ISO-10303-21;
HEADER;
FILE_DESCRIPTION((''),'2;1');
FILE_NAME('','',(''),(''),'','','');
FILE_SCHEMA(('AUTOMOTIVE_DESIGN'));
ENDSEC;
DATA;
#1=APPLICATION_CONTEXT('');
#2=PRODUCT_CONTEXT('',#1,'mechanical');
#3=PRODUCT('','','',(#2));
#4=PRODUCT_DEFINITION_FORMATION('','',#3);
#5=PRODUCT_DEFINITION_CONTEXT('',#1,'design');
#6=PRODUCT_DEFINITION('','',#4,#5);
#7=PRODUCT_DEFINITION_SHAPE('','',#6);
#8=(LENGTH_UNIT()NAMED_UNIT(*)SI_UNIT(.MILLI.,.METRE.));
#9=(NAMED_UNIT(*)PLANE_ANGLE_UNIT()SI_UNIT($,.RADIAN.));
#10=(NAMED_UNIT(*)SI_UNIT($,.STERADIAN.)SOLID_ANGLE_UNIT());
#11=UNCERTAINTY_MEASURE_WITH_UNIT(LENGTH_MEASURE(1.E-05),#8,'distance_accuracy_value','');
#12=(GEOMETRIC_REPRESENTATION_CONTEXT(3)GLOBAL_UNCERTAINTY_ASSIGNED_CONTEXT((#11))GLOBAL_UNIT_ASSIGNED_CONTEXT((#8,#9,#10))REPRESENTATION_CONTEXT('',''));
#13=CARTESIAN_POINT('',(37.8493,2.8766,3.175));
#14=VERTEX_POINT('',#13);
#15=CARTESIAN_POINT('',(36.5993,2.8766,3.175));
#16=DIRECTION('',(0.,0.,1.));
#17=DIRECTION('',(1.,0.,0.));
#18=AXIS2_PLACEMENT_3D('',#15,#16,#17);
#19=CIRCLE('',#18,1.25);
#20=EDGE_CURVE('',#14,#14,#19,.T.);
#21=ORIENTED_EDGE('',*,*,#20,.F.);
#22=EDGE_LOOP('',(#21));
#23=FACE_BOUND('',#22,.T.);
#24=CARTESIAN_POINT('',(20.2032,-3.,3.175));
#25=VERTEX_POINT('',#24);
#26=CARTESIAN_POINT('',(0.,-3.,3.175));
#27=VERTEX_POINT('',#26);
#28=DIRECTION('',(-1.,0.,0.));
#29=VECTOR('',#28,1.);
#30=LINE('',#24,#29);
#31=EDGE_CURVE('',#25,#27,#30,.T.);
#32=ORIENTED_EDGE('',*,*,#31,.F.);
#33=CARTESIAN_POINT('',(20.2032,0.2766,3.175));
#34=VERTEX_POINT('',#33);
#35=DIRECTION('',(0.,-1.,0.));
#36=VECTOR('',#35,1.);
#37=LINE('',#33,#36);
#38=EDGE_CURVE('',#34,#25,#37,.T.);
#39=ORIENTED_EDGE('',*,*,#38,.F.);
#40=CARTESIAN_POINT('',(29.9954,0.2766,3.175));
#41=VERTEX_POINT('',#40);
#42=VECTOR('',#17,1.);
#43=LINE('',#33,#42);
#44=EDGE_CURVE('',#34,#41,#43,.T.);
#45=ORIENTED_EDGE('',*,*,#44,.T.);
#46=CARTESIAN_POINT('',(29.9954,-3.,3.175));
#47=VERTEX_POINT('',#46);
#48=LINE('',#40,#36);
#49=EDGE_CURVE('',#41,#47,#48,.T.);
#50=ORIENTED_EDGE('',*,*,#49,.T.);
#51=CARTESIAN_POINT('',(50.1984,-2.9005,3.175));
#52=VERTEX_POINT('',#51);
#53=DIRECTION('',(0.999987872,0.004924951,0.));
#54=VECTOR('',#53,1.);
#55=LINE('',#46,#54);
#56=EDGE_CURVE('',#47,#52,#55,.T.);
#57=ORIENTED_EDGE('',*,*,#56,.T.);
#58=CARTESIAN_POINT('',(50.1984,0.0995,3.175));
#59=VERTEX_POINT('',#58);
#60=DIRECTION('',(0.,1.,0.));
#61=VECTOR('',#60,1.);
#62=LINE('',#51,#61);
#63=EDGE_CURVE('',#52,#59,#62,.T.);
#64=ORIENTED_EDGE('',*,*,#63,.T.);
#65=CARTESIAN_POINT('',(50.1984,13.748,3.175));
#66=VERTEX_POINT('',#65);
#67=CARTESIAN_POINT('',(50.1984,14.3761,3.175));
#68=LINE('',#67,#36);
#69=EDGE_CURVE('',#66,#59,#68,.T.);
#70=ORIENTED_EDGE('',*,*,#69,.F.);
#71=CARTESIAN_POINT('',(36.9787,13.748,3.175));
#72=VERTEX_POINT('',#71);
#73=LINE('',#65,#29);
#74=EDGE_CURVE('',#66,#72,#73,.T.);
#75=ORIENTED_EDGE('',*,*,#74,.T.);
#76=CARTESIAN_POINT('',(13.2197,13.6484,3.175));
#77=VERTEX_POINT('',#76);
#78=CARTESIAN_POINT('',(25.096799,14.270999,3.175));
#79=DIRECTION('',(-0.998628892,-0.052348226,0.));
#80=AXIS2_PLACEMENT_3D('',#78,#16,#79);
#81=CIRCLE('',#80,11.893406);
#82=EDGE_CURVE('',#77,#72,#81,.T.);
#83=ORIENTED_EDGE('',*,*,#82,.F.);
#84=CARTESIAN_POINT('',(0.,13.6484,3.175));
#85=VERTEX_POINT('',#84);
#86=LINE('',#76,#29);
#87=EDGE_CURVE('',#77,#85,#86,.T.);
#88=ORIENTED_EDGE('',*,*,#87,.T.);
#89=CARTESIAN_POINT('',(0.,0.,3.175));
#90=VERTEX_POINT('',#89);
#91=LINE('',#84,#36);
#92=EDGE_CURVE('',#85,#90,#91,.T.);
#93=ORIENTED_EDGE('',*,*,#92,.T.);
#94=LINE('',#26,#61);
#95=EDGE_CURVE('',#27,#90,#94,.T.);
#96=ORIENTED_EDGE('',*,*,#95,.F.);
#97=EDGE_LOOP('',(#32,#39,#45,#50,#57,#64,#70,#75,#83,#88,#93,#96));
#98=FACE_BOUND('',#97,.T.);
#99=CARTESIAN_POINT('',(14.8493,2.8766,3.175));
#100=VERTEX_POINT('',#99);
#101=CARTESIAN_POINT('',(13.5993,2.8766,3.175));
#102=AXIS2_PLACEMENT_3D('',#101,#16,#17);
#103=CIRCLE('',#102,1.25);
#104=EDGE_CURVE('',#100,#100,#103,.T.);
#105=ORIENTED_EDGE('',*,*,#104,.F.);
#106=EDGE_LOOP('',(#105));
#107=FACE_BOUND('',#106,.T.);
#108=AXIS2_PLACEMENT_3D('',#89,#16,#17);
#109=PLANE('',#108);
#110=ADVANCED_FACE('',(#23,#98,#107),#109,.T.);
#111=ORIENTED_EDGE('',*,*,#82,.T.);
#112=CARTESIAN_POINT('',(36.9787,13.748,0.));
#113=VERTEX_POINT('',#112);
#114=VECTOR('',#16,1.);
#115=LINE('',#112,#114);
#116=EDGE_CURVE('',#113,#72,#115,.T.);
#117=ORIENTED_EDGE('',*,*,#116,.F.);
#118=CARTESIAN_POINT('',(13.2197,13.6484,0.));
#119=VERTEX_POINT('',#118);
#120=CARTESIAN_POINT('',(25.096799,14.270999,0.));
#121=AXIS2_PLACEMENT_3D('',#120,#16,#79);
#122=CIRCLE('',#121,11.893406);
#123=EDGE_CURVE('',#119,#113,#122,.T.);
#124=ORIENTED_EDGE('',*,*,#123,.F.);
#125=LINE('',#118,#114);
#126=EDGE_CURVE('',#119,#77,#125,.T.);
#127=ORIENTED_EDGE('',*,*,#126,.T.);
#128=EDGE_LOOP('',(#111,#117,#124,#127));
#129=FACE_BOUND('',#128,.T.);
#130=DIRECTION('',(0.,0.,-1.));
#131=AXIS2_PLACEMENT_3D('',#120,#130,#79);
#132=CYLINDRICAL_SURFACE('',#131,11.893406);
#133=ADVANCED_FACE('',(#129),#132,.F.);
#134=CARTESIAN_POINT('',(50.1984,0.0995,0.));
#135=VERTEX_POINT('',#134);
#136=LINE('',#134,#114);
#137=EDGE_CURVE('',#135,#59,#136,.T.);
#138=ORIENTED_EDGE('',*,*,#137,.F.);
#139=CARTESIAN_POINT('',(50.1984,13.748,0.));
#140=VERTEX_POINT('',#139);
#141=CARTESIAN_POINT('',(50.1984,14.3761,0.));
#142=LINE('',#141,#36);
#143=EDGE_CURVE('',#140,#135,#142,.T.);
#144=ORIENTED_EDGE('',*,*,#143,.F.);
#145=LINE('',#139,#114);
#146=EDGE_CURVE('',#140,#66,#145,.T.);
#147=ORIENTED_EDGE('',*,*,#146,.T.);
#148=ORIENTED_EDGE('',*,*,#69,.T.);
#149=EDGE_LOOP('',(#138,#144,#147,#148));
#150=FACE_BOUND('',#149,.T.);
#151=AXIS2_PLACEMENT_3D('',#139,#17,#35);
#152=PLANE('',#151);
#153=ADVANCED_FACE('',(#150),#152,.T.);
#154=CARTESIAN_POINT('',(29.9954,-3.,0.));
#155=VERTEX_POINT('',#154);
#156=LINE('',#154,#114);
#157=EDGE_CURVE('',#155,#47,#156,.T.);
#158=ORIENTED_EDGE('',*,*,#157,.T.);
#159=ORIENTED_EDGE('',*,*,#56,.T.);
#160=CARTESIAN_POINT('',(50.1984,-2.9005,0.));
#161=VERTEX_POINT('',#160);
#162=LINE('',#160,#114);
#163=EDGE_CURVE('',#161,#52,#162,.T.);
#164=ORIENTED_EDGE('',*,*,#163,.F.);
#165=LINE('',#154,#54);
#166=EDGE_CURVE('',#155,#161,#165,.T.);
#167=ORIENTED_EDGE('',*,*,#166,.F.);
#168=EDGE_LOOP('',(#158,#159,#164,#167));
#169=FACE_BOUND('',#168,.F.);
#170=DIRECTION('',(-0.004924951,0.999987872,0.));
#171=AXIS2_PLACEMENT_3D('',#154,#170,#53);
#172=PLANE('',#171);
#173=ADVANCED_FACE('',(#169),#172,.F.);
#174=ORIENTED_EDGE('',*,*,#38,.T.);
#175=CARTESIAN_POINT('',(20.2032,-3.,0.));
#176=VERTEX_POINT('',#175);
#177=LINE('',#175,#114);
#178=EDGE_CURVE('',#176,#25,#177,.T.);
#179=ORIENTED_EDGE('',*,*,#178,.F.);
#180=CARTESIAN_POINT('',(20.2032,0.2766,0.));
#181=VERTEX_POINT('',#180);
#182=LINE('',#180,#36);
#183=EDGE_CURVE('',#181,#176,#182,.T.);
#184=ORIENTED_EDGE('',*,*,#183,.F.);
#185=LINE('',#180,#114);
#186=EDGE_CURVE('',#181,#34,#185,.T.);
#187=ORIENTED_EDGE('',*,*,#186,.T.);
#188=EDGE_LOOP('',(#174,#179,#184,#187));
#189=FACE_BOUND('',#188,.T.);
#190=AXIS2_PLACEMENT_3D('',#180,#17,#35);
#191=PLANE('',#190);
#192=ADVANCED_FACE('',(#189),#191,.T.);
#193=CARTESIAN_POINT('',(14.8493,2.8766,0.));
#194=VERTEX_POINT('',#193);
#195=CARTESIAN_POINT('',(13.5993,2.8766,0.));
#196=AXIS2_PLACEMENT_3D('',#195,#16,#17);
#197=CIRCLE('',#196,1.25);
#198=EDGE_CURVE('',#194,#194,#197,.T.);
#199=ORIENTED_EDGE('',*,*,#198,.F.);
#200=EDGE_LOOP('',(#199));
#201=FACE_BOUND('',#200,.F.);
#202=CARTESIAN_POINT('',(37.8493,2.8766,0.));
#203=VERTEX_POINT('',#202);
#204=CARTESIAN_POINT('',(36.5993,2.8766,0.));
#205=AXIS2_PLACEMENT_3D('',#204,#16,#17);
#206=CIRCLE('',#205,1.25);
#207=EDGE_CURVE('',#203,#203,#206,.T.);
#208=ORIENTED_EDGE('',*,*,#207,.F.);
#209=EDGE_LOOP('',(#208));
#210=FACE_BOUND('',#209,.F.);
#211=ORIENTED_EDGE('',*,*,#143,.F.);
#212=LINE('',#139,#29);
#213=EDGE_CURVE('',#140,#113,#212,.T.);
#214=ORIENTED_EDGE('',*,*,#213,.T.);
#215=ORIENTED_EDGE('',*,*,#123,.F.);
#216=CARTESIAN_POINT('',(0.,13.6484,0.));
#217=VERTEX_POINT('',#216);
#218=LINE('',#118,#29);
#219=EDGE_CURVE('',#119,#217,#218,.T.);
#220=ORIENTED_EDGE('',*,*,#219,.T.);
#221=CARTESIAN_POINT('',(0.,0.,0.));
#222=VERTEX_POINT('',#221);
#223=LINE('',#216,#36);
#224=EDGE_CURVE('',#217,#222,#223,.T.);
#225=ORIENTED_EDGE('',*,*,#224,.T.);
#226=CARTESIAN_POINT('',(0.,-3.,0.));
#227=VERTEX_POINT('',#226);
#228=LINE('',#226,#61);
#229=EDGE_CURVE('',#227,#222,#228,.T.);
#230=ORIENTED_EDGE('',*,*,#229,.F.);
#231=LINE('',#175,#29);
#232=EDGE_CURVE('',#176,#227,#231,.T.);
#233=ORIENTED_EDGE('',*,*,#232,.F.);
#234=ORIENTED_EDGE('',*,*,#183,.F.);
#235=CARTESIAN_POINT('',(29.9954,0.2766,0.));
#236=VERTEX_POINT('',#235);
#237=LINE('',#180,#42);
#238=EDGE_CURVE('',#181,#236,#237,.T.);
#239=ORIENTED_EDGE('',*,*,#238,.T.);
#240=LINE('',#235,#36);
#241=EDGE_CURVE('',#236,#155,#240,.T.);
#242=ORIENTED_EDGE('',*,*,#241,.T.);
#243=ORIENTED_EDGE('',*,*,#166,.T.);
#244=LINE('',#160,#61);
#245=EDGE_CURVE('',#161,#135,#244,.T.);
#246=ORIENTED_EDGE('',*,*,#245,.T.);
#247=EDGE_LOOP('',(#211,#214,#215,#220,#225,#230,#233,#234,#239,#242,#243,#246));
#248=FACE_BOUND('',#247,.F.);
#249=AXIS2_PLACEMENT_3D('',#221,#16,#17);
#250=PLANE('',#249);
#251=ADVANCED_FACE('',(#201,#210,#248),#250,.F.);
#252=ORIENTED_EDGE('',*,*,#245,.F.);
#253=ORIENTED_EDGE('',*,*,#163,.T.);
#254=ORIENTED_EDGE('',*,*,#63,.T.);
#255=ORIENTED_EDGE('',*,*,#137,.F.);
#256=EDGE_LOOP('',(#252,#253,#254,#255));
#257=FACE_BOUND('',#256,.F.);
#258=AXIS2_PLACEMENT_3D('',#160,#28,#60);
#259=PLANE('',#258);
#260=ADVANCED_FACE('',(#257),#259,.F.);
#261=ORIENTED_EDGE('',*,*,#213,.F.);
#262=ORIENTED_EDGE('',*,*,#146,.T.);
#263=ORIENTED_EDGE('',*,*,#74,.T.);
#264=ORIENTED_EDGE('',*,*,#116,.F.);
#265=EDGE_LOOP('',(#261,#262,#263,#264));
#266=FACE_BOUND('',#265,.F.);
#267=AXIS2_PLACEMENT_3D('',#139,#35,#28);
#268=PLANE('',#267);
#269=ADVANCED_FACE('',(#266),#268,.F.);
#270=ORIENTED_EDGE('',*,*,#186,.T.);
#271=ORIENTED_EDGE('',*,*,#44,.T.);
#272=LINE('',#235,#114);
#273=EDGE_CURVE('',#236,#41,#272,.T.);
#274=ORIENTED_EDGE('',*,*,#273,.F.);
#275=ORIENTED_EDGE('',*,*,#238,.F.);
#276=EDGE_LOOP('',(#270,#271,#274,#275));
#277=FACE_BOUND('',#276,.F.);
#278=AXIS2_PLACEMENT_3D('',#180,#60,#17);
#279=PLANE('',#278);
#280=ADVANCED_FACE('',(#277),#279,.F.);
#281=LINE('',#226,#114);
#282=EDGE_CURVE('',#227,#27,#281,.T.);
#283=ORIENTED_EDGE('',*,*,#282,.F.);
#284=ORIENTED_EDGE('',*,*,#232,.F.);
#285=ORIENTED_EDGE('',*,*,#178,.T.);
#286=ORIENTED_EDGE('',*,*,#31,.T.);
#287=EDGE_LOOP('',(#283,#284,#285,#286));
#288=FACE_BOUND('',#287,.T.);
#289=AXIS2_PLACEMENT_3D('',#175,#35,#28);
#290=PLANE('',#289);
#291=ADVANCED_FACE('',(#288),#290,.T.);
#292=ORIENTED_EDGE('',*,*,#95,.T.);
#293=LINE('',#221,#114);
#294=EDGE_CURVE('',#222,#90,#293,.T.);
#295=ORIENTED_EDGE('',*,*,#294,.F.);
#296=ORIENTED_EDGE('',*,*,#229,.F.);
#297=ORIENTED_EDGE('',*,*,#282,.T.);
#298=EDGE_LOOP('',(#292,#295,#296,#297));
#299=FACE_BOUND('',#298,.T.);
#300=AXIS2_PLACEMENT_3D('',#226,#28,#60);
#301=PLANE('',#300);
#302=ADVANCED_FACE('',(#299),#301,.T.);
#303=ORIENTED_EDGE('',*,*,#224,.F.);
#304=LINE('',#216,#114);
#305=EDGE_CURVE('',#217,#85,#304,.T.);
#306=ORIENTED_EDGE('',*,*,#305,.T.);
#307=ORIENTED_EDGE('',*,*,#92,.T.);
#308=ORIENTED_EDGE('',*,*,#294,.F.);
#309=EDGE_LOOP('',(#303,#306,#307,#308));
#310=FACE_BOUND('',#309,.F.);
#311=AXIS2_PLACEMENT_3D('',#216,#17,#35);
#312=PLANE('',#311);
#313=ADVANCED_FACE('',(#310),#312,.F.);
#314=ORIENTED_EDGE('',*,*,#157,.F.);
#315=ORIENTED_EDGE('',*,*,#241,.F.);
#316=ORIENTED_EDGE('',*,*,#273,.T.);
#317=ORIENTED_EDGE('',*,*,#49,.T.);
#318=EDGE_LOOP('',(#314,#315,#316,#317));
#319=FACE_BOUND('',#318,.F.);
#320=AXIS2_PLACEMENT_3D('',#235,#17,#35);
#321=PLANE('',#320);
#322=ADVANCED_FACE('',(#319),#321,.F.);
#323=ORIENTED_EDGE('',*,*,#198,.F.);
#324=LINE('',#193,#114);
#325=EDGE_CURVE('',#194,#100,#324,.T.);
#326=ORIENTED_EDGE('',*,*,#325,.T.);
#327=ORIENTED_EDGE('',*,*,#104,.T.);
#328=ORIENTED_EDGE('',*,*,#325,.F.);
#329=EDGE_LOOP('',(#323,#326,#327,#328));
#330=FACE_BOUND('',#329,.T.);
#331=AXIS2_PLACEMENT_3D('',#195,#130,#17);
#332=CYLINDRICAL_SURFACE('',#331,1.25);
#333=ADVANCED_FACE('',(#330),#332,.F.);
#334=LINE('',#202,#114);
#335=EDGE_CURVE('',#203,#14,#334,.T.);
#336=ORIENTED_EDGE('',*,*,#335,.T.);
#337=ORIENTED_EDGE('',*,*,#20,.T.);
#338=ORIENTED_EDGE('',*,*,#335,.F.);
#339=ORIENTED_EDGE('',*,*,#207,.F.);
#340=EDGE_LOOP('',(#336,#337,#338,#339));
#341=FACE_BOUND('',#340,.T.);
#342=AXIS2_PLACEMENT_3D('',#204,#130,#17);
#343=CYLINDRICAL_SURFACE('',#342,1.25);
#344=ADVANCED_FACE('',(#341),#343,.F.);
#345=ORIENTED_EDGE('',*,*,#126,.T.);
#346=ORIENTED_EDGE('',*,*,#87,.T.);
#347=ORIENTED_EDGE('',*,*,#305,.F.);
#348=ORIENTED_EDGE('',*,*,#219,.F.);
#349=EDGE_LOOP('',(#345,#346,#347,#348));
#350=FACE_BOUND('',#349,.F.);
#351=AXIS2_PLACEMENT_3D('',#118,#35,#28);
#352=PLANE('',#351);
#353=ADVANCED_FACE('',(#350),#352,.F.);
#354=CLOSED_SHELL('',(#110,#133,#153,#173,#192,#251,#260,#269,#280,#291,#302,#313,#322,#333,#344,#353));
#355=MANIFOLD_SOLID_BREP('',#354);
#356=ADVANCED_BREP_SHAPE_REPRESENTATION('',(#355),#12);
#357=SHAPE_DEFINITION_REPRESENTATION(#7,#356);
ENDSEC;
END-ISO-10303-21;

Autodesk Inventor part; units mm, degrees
ref_plane "YZ Plane" through (0, 0, 0) normal (1, 0, 0) x (0, 1, 0)
ref_plane "XZ Plane" through (0, 0, 0) normal (0, 1, 0) x (-1, 0, 0)
ref_plane "XY Plane" through (0, 0, 0) normal (0, 0, 1) x (1, 0, 0)
sketch "Sketch1" plane through (0, 0, 0) normal (0, 0, 1) x (1, 0, 0)
  line L0 (20.2032, 0.2766) -> (20.2032, -3)
  line L1 (20.2032, -3) -> (0, -3)
  line L2 (0, -3) -> (0, 0)
  line L3 (29.9954, 0.2766) -> (29.9954, -3)
  line L4 (29.9954, -3) -> (50.1984, -2.9005)
  line L5 (50.1984, -2.9005) -> (50.1984, 0.0995)
  line L6 (20.2032, 0.2766) -> (29.9954, 0.2766)
  circle A0 centre (13.5993, 2.8766) radius 1.25
  circle A1 centre (36.5993, 2.8766) radius 1.25
  line L7 (50.1984, 14.3761) -> (50.1984, 0.0995)
  line L8 (13.2197, 13.6484) -> (0, 13.6484)
  line L9 (0, 13.6484) -> (0, 0)
  line L10 (50.1984, 0.0995) -> (50.1984, 13.748)
  line L11 (50.1984, 13.748) -> (36.9787, 13.748)
  arc A2 (13.2197, 13.6484) -> (36.9787, 13.748) centre (25.0968, 14.271) ccw
  point P0 (25.0993, 0.2766)
  dimension "d2" = 20.2032
  dimension "d3" = 3.2766
  dimension "d4" = 20.2032
  dimension "d11" = 2.5
  dimension "d12" = 2.6
  dimension "d13" = 11.5
  dimension "d14" = 2.5
  dimension "d15" = 11.5
  dimension "d23" = 13.2196
  dimension "d26" = 13.2196
  dimension "d27" = 11.8935
extrude "Extrusion2" add sketch "Sketch1" along normal blind 3.175
equation "\"d4\" = d2"
equation "\"d15\" = d13"
equation "\"d26\" = d23"
properties part number "side_plate_bottom"
